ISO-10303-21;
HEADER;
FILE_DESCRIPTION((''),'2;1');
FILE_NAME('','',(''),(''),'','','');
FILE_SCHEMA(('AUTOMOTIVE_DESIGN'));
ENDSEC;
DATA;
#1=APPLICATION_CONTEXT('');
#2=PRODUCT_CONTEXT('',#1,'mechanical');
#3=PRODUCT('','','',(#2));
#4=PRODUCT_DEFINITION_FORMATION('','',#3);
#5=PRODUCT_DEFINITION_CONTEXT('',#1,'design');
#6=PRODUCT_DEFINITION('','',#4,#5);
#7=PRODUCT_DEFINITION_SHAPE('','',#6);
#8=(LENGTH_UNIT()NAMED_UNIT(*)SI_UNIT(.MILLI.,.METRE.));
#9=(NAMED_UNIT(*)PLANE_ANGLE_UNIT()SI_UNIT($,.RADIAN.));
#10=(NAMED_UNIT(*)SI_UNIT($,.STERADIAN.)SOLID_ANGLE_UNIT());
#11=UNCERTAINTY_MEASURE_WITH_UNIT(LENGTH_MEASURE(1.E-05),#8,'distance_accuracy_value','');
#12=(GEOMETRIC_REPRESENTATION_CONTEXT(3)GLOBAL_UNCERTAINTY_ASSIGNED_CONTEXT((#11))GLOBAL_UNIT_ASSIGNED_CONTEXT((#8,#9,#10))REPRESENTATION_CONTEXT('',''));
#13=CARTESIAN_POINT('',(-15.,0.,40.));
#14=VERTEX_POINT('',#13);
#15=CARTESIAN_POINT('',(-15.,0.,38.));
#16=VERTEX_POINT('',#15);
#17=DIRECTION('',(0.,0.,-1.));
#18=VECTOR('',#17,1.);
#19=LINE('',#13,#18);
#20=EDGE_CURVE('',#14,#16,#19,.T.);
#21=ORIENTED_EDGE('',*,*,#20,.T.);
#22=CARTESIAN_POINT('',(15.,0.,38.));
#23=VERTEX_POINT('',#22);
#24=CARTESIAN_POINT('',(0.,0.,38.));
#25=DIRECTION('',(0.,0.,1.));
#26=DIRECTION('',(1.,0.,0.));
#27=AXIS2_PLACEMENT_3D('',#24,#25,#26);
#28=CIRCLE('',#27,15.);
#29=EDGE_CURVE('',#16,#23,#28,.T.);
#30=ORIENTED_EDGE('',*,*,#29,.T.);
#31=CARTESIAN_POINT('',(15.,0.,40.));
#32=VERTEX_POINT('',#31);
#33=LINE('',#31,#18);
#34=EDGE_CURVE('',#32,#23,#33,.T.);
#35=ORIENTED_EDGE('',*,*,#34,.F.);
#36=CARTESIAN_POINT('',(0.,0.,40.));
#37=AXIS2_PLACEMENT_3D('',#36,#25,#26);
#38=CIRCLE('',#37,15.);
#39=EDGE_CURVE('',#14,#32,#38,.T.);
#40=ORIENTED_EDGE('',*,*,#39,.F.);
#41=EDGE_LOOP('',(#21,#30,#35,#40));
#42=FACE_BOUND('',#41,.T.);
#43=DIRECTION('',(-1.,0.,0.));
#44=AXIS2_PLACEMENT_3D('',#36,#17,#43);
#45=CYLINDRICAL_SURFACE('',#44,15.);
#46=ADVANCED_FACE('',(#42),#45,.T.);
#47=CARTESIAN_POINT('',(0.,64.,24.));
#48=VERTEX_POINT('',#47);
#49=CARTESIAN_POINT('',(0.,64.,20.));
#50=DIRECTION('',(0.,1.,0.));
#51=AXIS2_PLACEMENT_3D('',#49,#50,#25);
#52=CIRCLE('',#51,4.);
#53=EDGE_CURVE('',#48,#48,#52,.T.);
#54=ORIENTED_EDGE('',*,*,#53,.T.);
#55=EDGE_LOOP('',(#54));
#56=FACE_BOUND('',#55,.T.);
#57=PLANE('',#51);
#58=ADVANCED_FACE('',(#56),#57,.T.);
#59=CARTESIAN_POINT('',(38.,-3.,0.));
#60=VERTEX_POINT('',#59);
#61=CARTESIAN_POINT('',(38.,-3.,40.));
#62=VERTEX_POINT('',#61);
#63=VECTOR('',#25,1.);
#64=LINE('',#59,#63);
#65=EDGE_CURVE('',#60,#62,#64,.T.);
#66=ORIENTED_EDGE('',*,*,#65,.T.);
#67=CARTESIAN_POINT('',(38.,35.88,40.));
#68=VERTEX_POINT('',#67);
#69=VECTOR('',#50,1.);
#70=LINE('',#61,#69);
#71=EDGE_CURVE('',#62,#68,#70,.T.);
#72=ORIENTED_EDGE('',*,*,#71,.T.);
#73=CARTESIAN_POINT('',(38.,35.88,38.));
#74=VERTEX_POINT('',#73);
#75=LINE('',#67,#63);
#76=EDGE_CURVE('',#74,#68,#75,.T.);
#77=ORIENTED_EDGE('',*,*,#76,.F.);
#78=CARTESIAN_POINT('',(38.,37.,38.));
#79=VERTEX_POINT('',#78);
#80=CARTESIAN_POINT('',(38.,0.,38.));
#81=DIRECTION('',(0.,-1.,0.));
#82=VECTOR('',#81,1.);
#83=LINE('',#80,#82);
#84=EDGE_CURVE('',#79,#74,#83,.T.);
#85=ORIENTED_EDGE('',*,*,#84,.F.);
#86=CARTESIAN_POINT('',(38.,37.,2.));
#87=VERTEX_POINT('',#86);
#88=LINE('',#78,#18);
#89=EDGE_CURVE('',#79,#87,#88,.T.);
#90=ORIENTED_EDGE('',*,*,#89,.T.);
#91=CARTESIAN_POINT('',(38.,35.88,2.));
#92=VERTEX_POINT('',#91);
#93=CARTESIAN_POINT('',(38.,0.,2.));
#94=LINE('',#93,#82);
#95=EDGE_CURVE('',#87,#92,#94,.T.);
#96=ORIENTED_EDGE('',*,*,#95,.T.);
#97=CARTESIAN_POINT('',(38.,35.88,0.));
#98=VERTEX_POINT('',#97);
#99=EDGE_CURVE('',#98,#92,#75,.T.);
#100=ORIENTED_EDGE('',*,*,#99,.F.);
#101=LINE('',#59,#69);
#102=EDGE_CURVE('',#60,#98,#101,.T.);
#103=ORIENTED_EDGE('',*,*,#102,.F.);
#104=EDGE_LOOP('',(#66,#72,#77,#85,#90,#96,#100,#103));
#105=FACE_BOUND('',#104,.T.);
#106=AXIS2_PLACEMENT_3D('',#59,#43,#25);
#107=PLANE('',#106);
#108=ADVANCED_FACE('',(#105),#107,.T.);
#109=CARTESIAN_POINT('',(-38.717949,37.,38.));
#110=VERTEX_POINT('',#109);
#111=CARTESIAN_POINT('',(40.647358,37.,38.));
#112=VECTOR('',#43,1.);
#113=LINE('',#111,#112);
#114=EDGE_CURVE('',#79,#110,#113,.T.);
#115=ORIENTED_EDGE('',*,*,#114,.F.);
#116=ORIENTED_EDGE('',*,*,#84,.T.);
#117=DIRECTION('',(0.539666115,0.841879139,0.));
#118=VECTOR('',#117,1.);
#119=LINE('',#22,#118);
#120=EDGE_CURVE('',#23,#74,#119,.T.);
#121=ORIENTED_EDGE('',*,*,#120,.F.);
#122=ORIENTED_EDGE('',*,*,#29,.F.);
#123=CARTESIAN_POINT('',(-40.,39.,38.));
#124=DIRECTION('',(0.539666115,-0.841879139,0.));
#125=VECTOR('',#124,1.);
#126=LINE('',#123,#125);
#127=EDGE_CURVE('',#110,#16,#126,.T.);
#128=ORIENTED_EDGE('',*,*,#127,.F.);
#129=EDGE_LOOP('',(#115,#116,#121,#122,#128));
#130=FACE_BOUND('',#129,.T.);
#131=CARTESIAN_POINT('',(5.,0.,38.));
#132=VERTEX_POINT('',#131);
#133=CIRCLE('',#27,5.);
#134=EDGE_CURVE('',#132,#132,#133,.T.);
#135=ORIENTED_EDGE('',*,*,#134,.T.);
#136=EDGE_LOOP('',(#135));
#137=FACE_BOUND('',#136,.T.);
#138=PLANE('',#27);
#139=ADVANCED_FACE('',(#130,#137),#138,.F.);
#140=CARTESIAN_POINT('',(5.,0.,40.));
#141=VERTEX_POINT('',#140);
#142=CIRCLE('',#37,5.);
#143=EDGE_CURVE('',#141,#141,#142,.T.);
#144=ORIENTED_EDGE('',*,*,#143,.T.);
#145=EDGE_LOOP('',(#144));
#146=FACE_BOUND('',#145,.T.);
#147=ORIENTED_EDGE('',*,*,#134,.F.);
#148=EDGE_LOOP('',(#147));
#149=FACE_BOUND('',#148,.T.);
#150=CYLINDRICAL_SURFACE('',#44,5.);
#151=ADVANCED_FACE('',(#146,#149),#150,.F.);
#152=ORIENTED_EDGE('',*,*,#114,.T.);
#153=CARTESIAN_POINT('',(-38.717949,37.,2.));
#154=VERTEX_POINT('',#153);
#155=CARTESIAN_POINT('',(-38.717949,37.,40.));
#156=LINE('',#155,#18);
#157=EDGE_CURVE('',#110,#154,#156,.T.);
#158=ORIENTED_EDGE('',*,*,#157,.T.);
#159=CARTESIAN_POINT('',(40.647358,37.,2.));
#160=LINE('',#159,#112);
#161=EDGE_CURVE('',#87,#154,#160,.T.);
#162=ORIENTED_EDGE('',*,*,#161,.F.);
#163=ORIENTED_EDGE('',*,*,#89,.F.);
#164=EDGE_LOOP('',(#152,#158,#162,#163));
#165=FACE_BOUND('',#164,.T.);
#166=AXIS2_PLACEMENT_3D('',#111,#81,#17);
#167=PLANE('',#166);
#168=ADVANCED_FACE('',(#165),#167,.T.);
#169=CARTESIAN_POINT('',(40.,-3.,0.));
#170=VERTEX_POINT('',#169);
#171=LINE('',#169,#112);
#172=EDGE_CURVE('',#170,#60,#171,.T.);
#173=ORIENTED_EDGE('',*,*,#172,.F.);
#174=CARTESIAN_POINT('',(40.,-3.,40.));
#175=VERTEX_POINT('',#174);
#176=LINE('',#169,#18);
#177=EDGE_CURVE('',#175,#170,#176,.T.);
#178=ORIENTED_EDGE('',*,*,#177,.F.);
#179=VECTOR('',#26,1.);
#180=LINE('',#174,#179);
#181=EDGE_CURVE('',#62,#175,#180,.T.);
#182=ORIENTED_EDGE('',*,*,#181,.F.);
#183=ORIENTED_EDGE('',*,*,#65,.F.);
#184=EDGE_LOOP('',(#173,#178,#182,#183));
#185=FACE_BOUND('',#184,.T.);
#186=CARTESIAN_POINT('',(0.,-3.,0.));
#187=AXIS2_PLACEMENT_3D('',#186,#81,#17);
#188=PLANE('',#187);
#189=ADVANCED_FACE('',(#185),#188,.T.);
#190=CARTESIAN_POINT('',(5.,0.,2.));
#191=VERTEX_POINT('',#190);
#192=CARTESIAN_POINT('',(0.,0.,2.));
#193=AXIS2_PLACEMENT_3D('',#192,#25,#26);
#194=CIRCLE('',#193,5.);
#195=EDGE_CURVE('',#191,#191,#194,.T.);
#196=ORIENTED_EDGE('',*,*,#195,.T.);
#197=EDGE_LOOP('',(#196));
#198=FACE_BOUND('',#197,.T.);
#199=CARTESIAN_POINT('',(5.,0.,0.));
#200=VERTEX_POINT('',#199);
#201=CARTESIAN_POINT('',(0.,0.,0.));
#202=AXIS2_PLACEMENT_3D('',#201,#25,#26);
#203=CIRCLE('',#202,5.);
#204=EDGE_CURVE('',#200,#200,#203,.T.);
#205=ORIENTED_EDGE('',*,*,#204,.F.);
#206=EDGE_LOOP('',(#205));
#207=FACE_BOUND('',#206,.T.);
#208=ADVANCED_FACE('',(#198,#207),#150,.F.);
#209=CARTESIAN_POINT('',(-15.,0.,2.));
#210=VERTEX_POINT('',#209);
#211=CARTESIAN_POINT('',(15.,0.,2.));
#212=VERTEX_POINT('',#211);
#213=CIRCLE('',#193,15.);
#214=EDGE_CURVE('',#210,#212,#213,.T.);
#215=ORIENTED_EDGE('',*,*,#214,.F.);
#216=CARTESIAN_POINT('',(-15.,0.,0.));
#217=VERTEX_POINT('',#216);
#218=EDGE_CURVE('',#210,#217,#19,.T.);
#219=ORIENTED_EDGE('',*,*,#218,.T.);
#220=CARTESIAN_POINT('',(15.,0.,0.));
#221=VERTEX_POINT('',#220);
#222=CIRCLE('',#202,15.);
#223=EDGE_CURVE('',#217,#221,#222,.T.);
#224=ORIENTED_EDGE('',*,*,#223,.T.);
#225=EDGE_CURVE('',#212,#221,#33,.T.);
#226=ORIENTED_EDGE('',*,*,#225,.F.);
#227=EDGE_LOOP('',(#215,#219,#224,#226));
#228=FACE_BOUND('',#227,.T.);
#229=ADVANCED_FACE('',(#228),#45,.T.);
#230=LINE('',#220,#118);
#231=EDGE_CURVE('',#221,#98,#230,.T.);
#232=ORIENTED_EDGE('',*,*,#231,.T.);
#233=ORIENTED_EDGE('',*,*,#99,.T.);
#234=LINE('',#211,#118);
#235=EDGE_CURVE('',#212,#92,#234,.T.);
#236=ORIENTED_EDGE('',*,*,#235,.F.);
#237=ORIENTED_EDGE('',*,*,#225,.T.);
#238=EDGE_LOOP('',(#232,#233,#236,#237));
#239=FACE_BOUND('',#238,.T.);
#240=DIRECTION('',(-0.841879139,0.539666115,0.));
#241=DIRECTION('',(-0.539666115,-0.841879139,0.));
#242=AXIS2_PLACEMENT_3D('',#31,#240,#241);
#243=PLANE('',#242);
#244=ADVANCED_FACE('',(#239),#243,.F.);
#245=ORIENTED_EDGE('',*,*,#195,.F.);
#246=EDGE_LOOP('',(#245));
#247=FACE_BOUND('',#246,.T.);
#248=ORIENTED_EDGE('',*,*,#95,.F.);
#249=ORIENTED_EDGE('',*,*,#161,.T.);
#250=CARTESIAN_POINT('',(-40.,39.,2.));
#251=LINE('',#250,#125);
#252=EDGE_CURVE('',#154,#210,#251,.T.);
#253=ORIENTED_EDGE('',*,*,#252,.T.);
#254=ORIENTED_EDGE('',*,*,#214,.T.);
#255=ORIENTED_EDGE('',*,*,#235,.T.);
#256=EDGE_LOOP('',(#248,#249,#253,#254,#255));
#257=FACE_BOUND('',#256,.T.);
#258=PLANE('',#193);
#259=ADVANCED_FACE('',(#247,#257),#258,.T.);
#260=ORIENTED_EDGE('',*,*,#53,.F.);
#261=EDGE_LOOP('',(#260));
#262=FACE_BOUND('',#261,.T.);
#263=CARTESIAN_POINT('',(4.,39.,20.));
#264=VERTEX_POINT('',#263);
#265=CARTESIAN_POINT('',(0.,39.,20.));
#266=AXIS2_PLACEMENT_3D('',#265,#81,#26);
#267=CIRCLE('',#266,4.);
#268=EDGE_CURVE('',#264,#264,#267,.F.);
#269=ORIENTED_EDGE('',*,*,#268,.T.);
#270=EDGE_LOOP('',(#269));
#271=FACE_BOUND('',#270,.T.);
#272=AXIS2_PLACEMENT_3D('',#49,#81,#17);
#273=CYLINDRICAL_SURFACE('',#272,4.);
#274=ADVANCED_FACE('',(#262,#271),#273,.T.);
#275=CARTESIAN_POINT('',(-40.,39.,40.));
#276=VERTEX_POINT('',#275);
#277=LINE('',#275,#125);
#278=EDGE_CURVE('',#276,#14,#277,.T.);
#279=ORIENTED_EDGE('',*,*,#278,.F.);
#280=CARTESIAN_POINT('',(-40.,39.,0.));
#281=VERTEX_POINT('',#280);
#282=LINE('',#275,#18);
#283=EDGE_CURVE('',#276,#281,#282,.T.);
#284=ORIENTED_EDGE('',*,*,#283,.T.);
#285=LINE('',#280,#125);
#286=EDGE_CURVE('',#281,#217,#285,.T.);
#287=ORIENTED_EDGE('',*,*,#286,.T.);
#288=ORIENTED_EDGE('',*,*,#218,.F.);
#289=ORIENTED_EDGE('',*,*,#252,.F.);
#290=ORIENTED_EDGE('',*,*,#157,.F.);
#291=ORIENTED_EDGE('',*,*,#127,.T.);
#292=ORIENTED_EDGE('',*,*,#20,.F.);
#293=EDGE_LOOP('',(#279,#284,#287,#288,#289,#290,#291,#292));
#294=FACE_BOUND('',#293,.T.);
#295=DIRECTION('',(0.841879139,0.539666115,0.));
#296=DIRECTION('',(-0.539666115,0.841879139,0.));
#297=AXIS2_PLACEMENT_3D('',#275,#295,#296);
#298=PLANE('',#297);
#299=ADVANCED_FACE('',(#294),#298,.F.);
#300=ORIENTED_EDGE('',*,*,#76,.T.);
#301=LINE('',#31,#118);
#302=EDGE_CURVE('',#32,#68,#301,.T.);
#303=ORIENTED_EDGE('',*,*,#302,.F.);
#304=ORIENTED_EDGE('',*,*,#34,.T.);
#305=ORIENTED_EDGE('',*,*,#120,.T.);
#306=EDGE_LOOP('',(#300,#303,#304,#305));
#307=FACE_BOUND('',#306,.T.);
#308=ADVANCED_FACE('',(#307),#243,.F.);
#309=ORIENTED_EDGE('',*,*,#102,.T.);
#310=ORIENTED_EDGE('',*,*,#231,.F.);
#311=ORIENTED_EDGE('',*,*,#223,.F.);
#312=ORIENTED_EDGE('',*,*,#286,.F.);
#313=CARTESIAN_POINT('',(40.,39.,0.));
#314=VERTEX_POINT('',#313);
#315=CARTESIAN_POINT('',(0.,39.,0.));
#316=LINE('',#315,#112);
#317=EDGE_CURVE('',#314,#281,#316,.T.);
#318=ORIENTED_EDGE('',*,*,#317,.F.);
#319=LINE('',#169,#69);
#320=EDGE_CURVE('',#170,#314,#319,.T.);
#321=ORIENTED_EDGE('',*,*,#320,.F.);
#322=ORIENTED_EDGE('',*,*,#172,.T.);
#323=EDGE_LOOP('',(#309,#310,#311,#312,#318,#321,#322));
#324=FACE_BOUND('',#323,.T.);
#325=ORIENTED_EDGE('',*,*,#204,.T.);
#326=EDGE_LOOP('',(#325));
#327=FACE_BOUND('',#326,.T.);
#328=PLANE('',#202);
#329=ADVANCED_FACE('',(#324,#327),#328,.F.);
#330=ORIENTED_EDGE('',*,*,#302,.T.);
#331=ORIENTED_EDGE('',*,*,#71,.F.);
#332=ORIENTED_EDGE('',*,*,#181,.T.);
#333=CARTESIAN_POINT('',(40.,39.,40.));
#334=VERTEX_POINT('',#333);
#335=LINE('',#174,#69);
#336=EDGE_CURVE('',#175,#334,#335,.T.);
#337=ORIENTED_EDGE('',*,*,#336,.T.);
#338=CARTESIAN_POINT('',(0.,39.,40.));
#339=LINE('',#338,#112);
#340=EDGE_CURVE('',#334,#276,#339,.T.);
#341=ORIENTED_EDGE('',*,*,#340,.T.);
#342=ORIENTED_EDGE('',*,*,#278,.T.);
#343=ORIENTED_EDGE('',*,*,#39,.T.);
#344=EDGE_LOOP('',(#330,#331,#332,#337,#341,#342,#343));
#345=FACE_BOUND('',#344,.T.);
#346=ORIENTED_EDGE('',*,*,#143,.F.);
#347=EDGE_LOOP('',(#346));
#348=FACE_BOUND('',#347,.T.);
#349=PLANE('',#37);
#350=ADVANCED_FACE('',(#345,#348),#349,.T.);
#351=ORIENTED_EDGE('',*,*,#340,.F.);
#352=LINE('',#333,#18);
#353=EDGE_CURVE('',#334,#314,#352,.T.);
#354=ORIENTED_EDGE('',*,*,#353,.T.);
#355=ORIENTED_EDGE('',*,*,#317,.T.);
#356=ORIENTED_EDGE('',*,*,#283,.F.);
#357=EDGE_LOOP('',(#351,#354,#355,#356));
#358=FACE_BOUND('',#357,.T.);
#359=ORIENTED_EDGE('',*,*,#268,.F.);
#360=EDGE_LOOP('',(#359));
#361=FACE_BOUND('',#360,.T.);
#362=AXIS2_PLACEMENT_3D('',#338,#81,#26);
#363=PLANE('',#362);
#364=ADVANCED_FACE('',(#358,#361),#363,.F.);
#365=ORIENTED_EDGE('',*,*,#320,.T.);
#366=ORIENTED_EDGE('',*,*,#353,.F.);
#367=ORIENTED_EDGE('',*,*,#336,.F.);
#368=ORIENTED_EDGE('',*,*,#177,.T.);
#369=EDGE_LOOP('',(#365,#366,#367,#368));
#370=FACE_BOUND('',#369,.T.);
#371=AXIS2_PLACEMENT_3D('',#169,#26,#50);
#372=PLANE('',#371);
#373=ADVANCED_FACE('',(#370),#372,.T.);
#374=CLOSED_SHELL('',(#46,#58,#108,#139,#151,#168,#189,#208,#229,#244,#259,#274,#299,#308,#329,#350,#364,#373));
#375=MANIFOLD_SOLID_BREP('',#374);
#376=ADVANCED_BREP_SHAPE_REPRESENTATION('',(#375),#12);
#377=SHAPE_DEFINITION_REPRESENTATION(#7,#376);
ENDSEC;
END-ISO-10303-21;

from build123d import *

# Parameters (mm, degrees)
SKETCH_1_R               = 5
EXTRUDE_1_DEPTH          = 40
CUT_EXTRUDE_1_DEPTH      = 18
CUT_EXTRUDE_1_DEPTH_BACK = 18
SKETCH_2_W               = 81.294716022
SKETCH_2_H               = 74
SKETCH_3_R               = 4
EXTRUDE_2_DEPTH          = 25
SKETCH_4_W               = 2
SKETCH_4_H               = 40
EXTRUDE_3_DEPTH          = 42


with BuildPart() as part:
    # 草图1 → 凸台-拉伸1 (new body)
    with BuildSketch(Plane.XY):
        with BuildLine():
            Line((0, 39), (-40, 39))
            Line((-40, 39), (-15, 0))
            ThreePointArc((-15, 0), (0, -15), (15, 0))
            Line((15, 0), (40, 39))
            Line((40, 39), (0, 39))
        make_face()
        Circle(SKETCH_1_R, mode=Mode.SUBTRACT)
    extrude(amount=EXTRUDE_1_DEPTH)

    # 草图2 → 切除-拉伸1 (cut, two sides: drawn at the far end of the back side and taken through both)
    with BuildSketch(Plane.XY.offset(20).offset(-CUT_EXTRUDE_1_DEPTH_BACK)):
        Rectangle(SKETCH_2_W, SKETCH_2_H)
    extrude(amount=CUT_EXTRUDE_1_DEPTH + CUT_EXTRUDE_1_DEPTH_BACK, mode=Mode.SUBTRACT)

    # 草图3 → 凸台-拉伸2 (add)
    with BuildSketch(Plane(origin=(0, 39, 0), x_dir=(1, 0, 0), z_dir=(0, 1, 0))):
        with Locations((0, -20)):
            Circle(SKETCH_3_R)
    extrude(amount=EXTRUDE_2_DEPTH)

    # 草图4 → 凸台-拉伸3 (add)
    with BuildSketch(Plane(origin=(0, 39, 0), x_dir=(1, 0, 0), z_dir=(0, 1, 0))):
        with Locations((39, -20)):
            Rectangle(SKETCH_4_W, SKETCH_4_H)
    extrude(amount=-EXTRUDE_3_DEPTH)


solid = part.part
